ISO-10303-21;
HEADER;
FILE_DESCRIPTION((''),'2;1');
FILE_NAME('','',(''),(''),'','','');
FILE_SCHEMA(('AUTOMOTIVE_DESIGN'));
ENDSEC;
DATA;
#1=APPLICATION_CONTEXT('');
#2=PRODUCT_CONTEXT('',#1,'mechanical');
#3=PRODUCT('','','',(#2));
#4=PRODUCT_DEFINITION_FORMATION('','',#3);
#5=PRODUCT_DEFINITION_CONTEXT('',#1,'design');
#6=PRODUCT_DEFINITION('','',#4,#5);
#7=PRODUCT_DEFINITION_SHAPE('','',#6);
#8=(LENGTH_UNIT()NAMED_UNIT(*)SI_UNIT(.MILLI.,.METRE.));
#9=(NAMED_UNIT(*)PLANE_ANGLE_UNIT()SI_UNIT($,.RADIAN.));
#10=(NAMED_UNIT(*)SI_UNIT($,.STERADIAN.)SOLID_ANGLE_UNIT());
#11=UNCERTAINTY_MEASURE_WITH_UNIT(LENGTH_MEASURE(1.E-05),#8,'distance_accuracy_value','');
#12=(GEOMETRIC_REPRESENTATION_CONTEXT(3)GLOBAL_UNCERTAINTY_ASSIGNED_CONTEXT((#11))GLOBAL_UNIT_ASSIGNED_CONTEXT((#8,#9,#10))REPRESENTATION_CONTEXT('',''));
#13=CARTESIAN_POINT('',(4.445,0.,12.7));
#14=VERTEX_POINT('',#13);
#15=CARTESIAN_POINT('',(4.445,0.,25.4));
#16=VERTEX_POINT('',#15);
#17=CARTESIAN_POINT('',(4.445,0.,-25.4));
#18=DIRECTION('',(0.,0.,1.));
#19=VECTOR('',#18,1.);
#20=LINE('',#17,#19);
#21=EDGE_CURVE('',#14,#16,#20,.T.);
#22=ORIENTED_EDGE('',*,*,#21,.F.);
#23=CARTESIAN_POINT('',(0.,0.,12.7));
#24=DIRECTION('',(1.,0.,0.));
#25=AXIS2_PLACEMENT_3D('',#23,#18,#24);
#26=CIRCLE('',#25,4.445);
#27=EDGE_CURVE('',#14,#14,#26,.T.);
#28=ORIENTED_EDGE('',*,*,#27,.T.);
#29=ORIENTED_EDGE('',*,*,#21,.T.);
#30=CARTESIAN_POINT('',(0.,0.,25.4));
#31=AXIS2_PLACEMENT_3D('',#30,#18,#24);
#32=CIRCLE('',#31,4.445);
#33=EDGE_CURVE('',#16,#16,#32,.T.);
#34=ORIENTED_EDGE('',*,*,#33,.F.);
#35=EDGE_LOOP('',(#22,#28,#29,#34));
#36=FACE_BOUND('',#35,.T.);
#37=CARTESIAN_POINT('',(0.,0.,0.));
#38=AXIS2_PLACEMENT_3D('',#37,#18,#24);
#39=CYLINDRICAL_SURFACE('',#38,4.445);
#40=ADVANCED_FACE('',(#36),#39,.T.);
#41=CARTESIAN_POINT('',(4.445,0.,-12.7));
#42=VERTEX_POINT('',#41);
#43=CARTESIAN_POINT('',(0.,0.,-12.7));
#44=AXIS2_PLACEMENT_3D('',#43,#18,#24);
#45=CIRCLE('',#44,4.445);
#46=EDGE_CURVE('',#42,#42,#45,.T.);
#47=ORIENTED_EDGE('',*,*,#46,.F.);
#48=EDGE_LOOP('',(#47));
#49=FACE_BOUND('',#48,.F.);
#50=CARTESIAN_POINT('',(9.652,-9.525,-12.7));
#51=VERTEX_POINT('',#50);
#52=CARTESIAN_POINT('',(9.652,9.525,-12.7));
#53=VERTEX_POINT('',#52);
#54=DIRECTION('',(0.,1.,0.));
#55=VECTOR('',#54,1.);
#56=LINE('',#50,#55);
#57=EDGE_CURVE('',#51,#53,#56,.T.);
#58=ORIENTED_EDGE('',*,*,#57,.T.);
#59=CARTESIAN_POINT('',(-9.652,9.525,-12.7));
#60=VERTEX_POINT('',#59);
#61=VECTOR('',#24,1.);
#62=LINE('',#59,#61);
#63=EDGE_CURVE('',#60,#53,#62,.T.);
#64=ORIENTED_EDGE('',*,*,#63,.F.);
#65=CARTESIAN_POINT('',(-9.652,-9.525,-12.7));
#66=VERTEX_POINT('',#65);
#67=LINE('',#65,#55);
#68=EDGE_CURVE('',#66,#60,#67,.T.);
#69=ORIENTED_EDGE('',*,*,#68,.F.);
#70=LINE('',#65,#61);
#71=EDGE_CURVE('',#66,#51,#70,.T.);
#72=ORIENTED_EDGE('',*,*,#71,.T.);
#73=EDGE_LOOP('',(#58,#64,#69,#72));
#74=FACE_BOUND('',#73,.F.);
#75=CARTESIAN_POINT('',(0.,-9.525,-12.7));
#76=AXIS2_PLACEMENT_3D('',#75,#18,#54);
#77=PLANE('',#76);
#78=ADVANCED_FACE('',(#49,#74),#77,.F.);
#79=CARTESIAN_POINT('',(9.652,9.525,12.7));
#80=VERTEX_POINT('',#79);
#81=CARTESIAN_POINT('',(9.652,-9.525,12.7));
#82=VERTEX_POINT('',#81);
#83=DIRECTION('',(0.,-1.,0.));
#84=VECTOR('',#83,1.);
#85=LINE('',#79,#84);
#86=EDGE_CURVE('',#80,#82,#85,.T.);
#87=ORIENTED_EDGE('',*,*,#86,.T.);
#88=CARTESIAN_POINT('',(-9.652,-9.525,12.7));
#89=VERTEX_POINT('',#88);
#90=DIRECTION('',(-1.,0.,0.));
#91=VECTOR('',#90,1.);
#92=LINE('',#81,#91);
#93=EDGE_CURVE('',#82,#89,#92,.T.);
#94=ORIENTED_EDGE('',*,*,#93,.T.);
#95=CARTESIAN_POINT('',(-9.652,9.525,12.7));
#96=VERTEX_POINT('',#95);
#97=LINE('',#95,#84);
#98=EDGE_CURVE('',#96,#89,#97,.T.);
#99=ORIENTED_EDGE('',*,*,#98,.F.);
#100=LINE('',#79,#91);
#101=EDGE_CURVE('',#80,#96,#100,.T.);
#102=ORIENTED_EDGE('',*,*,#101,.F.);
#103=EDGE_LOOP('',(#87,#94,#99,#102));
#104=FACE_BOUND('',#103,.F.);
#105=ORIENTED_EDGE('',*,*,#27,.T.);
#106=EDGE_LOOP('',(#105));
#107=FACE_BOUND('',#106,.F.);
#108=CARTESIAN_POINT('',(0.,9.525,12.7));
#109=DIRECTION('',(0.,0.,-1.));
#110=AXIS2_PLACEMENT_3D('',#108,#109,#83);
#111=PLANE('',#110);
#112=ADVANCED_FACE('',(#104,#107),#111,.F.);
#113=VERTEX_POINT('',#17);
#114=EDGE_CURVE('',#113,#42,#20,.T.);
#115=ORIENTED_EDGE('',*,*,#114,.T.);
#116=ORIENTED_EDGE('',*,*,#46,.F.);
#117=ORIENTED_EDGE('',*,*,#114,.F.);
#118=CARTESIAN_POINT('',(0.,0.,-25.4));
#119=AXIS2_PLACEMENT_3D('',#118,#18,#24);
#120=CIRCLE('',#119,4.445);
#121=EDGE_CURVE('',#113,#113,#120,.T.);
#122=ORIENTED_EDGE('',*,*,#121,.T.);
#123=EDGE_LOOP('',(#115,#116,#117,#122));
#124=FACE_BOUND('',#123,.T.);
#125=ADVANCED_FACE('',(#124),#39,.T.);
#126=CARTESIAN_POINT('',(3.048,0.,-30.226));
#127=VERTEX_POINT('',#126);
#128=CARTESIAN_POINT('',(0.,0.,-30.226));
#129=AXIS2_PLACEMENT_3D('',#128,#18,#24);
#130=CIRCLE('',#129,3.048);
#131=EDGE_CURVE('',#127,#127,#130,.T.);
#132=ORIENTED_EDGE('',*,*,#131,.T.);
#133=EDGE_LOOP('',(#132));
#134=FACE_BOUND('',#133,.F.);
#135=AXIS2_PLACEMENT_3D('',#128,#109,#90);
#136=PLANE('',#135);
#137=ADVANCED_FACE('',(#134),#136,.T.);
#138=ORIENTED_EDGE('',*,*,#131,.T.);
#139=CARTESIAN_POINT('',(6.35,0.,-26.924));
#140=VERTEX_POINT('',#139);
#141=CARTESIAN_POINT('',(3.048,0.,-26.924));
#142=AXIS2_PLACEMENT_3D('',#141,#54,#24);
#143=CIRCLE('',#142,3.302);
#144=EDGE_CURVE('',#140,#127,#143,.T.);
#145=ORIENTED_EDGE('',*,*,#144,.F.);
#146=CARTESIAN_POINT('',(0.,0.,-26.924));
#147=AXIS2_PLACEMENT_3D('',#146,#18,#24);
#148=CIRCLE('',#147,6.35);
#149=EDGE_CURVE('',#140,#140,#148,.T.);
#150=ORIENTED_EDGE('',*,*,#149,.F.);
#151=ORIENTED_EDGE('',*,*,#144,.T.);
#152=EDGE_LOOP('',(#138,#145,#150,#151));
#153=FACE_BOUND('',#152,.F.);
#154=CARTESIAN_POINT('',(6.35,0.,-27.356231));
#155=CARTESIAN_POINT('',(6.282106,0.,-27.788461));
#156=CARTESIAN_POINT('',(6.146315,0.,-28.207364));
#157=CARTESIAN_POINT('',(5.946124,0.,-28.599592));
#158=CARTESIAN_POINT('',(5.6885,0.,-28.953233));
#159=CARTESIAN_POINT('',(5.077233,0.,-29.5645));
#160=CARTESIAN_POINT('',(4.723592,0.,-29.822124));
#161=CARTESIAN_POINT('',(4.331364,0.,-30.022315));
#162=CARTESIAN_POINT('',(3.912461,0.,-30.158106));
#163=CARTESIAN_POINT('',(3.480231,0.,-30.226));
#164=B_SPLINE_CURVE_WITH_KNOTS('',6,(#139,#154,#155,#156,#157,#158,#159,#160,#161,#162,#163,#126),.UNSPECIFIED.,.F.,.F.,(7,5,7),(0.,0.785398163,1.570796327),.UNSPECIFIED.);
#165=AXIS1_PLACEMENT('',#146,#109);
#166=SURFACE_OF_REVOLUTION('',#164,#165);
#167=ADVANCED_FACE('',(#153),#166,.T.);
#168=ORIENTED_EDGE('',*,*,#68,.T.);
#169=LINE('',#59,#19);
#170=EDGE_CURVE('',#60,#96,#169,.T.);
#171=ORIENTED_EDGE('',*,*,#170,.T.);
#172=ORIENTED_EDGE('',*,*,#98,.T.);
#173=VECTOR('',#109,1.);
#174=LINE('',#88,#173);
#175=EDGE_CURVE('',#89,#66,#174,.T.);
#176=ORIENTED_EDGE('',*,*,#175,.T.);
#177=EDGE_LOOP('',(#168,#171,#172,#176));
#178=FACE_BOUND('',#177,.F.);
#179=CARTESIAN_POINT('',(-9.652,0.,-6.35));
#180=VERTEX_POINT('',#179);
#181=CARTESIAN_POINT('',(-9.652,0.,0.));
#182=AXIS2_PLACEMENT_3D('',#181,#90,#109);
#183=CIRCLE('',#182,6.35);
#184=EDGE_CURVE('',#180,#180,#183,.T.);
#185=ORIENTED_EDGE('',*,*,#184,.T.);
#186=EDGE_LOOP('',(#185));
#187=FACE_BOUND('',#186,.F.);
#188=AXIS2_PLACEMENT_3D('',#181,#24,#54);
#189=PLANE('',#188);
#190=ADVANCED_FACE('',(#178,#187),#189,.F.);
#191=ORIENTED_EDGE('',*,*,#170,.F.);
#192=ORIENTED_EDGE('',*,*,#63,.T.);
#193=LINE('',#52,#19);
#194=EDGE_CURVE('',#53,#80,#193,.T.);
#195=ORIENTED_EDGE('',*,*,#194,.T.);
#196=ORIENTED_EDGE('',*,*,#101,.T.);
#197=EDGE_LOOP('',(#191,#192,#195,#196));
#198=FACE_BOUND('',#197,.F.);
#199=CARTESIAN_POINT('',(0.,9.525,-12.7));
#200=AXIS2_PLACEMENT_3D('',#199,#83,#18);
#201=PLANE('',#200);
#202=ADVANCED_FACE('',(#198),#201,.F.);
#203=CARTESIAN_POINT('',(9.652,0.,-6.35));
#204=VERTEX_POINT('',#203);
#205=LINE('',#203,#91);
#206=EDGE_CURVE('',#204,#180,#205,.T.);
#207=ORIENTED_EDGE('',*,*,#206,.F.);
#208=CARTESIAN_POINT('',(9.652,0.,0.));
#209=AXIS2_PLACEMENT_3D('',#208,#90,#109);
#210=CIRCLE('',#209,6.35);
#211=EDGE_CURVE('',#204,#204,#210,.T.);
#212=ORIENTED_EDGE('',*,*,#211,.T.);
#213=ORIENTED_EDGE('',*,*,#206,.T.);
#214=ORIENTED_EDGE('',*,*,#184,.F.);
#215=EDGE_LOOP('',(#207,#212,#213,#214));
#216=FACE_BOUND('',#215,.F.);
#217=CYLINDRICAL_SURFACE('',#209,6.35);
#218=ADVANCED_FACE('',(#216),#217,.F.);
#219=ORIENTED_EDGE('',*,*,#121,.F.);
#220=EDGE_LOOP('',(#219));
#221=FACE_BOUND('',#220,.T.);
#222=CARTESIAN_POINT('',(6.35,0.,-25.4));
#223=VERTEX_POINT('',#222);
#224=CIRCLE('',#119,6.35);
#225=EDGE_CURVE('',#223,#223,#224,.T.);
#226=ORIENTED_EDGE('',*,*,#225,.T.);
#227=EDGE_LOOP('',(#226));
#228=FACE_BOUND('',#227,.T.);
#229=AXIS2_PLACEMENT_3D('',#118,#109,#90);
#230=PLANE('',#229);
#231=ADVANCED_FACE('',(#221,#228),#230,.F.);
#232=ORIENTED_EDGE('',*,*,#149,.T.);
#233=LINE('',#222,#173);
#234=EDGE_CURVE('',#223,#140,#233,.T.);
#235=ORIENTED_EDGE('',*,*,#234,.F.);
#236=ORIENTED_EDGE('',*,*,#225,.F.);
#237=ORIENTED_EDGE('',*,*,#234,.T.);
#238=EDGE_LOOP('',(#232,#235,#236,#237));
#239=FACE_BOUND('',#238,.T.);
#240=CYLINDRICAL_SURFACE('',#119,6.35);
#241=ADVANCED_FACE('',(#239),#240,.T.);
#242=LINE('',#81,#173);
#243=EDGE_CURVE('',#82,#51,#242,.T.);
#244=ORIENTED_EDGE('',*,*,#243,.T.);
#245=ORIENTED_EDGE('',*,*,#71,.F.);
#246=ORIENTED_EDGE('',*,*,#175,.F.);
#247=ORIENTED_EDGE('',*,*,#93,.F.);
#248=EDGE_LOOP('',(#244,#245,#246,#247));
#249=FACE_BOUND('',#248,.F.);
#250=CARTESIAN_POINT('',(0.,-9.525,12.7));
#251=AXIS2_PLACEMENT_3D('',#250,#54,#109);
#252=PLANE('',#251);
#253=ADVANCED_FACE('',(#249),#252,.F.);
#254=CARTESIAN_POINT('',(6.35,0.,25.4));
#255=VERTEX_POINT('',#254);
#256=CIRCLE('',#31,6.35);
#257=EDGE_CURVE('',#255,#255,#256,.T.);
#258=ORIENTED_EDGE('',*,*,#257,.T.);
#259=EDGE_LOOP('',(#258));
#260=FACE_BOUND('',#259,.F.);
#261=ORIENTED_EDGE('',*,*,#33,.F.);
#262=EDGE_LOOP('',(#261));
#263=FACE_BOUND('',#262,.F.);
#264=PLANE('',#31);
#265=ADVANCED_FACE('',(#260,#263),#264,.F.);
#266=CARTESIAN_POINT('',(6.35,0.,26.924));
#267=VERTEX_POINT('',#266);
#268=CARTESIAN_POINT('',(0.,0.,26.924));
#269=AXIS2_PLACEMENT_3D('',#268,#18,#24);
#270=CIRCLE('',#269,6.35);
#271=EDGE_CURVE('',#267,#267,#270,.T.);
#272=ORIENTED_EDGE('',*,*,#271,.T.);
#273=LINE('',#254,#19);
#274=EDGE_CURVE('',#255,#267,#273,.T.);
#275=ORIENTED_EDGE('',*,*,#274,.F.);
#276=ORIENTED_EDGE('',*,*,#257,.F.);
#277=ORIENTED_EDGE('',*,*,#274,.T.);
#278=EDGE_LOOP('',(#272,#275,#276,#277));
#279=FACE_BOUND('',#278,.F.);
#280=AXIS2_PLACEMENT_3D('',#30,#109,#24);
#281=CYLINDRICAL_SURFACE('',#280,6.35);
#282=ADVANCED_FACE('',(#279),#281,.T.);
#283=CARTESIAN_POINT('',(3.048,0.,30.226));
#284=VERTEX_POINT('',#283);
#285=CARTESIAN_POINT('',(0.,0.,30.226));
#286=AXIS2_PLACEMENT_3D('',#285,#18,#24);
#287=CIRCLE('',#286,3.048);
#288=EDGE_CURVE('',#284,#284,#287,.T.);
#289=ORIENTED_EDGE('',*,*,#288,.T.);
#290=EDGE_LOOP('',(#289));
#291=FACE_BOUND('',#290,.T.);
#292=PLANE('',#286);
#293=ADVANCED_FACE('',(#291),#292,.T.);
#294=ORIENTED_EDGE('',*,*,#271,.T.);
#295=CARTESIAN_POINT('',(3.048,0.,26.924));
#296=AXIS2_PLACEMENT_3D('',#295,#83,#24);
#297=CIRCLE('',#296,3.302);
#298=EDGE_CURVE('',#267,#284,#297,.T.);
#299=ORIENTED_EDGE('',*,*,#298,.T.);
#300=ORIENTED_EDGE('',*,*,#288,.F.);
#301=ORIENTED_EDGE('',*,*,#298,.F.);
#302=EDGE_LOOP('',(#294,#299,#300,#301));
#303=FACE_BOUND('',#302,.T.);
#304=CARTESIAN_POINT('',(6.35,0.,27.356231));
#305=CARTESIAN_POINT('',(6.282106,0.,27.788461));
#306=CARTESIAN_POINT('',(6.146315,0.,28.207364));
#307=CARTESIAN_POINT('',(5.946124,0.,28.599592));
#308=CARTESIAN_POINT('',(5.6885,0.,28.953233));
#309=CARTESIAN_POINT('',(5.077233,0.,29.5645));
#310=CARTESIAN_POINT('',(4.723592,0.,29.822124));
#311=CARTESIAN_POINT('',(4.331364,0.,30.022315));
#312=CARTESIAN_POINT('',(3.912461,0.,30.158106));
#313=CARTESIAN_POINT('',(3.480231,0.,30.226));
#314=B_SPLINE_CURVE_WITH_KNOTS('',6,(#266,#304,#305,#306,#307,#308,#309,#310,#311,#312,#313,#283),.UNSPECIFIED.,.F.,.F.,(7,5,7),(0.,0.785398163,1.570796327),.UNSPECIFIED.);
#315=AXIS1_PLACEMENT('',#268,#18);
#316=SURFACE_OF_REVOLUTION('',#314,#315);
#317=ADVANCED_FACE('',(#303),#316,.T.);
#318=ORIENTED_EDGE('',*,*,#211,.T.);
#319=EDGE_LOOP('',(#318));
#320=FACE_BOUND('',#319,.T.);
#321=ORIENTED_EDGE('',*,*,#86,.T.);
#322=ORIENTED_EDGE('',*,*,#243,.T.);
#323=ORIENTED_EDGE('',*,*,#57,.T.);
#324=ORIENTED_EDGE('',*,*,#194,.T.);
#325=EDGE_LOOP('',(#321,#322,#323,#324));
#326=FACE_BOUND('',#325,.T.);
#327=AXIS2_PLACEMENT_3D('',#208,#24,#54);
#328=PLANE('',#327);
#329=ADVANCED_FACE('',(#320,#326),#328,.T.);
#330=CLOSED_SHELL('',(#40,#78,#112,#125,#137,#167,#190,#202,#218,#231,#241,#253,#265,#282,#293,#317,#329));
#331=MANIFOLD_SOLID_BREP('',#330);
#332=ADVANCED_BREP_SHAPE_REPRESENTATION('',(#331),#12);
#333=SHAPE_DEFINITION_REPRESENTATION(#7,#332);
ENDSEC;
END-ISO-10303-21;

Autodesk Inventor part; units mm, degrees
ref_plane "YZ Plane" through (0, 0, 0) normal (1, 0, 0) x (0, 1, 0)
ref_plane "XZ Plane" through (0, 0, 0) normal (0, 1, 0) x (-1, 0, 0)
ref_plane "XY Plane" through (0, 0, 0) normal (0, 0, 1) x (1, 0, 0)
sketch "Sketch1" plane through (0, 0, 0) normal (0, 0, 1) x (1, 0, 0)
  circle A0 centre (0, 0) radius 4.445
  dimension "d0" = 8.89
extrude "Extrusion1" add sketch "Sketch1" along normal mid plane 50.8
sketch "Sketch2" plane through (0, 0, 25.4) normal (0, 0, 1) x (1, 0, 0)
  circle A0 centre (0, 0) radius 6.35
  dimension "d3" = 12.7
extrude "Extrusion2" add sketch "Sketch2" along normal blind 4.826
fillet "Fillet1" radius 3.302 1 edges at (-6.35, 0, 30.226)
mirror "Mirror1" about plane through (0, 0, 0) normal (0, 0, 1) of "Extrusion2", "Fillet1"
sketch "Sketch3" plane through (0, 0, 0) normal (1, 0, 0) x (0, 1, 0)
  line L0 (-9.525, -12.7) -> (9.525, -12.7)
  line L1 (9.525, -12.7) -> (9.525, 12.7)
  line L2 (9.525, 12.7) -> (-9.525, 12.7)
  line L3 (-9.525, 12.7) -> (-9.525, -12.7)
  line L4 (-9.525, -12.7) -> (9.525, 12.7) construction
  line L5 (9.525, -12.7) -> (-9.525, 12.7) construction
  point P0 (0, 0)
  dimension "d7" = 19.05
  dimension "d8" = 25.4
extrude "Extrusion3" add sketch "Sketch3" along normal mid plane 19.304
sketch "Sketch4" plane through (9.652, 0, 0) normal (1, 0, 0) x (0, 0, -1)
  point P0 (0, 0)
  point P1 (0, 0)
hole "Hole1" at (9.652, 0, 0) direction (-1, 0, 0) diameter 12.7 end through all
properties part number "Insert"
